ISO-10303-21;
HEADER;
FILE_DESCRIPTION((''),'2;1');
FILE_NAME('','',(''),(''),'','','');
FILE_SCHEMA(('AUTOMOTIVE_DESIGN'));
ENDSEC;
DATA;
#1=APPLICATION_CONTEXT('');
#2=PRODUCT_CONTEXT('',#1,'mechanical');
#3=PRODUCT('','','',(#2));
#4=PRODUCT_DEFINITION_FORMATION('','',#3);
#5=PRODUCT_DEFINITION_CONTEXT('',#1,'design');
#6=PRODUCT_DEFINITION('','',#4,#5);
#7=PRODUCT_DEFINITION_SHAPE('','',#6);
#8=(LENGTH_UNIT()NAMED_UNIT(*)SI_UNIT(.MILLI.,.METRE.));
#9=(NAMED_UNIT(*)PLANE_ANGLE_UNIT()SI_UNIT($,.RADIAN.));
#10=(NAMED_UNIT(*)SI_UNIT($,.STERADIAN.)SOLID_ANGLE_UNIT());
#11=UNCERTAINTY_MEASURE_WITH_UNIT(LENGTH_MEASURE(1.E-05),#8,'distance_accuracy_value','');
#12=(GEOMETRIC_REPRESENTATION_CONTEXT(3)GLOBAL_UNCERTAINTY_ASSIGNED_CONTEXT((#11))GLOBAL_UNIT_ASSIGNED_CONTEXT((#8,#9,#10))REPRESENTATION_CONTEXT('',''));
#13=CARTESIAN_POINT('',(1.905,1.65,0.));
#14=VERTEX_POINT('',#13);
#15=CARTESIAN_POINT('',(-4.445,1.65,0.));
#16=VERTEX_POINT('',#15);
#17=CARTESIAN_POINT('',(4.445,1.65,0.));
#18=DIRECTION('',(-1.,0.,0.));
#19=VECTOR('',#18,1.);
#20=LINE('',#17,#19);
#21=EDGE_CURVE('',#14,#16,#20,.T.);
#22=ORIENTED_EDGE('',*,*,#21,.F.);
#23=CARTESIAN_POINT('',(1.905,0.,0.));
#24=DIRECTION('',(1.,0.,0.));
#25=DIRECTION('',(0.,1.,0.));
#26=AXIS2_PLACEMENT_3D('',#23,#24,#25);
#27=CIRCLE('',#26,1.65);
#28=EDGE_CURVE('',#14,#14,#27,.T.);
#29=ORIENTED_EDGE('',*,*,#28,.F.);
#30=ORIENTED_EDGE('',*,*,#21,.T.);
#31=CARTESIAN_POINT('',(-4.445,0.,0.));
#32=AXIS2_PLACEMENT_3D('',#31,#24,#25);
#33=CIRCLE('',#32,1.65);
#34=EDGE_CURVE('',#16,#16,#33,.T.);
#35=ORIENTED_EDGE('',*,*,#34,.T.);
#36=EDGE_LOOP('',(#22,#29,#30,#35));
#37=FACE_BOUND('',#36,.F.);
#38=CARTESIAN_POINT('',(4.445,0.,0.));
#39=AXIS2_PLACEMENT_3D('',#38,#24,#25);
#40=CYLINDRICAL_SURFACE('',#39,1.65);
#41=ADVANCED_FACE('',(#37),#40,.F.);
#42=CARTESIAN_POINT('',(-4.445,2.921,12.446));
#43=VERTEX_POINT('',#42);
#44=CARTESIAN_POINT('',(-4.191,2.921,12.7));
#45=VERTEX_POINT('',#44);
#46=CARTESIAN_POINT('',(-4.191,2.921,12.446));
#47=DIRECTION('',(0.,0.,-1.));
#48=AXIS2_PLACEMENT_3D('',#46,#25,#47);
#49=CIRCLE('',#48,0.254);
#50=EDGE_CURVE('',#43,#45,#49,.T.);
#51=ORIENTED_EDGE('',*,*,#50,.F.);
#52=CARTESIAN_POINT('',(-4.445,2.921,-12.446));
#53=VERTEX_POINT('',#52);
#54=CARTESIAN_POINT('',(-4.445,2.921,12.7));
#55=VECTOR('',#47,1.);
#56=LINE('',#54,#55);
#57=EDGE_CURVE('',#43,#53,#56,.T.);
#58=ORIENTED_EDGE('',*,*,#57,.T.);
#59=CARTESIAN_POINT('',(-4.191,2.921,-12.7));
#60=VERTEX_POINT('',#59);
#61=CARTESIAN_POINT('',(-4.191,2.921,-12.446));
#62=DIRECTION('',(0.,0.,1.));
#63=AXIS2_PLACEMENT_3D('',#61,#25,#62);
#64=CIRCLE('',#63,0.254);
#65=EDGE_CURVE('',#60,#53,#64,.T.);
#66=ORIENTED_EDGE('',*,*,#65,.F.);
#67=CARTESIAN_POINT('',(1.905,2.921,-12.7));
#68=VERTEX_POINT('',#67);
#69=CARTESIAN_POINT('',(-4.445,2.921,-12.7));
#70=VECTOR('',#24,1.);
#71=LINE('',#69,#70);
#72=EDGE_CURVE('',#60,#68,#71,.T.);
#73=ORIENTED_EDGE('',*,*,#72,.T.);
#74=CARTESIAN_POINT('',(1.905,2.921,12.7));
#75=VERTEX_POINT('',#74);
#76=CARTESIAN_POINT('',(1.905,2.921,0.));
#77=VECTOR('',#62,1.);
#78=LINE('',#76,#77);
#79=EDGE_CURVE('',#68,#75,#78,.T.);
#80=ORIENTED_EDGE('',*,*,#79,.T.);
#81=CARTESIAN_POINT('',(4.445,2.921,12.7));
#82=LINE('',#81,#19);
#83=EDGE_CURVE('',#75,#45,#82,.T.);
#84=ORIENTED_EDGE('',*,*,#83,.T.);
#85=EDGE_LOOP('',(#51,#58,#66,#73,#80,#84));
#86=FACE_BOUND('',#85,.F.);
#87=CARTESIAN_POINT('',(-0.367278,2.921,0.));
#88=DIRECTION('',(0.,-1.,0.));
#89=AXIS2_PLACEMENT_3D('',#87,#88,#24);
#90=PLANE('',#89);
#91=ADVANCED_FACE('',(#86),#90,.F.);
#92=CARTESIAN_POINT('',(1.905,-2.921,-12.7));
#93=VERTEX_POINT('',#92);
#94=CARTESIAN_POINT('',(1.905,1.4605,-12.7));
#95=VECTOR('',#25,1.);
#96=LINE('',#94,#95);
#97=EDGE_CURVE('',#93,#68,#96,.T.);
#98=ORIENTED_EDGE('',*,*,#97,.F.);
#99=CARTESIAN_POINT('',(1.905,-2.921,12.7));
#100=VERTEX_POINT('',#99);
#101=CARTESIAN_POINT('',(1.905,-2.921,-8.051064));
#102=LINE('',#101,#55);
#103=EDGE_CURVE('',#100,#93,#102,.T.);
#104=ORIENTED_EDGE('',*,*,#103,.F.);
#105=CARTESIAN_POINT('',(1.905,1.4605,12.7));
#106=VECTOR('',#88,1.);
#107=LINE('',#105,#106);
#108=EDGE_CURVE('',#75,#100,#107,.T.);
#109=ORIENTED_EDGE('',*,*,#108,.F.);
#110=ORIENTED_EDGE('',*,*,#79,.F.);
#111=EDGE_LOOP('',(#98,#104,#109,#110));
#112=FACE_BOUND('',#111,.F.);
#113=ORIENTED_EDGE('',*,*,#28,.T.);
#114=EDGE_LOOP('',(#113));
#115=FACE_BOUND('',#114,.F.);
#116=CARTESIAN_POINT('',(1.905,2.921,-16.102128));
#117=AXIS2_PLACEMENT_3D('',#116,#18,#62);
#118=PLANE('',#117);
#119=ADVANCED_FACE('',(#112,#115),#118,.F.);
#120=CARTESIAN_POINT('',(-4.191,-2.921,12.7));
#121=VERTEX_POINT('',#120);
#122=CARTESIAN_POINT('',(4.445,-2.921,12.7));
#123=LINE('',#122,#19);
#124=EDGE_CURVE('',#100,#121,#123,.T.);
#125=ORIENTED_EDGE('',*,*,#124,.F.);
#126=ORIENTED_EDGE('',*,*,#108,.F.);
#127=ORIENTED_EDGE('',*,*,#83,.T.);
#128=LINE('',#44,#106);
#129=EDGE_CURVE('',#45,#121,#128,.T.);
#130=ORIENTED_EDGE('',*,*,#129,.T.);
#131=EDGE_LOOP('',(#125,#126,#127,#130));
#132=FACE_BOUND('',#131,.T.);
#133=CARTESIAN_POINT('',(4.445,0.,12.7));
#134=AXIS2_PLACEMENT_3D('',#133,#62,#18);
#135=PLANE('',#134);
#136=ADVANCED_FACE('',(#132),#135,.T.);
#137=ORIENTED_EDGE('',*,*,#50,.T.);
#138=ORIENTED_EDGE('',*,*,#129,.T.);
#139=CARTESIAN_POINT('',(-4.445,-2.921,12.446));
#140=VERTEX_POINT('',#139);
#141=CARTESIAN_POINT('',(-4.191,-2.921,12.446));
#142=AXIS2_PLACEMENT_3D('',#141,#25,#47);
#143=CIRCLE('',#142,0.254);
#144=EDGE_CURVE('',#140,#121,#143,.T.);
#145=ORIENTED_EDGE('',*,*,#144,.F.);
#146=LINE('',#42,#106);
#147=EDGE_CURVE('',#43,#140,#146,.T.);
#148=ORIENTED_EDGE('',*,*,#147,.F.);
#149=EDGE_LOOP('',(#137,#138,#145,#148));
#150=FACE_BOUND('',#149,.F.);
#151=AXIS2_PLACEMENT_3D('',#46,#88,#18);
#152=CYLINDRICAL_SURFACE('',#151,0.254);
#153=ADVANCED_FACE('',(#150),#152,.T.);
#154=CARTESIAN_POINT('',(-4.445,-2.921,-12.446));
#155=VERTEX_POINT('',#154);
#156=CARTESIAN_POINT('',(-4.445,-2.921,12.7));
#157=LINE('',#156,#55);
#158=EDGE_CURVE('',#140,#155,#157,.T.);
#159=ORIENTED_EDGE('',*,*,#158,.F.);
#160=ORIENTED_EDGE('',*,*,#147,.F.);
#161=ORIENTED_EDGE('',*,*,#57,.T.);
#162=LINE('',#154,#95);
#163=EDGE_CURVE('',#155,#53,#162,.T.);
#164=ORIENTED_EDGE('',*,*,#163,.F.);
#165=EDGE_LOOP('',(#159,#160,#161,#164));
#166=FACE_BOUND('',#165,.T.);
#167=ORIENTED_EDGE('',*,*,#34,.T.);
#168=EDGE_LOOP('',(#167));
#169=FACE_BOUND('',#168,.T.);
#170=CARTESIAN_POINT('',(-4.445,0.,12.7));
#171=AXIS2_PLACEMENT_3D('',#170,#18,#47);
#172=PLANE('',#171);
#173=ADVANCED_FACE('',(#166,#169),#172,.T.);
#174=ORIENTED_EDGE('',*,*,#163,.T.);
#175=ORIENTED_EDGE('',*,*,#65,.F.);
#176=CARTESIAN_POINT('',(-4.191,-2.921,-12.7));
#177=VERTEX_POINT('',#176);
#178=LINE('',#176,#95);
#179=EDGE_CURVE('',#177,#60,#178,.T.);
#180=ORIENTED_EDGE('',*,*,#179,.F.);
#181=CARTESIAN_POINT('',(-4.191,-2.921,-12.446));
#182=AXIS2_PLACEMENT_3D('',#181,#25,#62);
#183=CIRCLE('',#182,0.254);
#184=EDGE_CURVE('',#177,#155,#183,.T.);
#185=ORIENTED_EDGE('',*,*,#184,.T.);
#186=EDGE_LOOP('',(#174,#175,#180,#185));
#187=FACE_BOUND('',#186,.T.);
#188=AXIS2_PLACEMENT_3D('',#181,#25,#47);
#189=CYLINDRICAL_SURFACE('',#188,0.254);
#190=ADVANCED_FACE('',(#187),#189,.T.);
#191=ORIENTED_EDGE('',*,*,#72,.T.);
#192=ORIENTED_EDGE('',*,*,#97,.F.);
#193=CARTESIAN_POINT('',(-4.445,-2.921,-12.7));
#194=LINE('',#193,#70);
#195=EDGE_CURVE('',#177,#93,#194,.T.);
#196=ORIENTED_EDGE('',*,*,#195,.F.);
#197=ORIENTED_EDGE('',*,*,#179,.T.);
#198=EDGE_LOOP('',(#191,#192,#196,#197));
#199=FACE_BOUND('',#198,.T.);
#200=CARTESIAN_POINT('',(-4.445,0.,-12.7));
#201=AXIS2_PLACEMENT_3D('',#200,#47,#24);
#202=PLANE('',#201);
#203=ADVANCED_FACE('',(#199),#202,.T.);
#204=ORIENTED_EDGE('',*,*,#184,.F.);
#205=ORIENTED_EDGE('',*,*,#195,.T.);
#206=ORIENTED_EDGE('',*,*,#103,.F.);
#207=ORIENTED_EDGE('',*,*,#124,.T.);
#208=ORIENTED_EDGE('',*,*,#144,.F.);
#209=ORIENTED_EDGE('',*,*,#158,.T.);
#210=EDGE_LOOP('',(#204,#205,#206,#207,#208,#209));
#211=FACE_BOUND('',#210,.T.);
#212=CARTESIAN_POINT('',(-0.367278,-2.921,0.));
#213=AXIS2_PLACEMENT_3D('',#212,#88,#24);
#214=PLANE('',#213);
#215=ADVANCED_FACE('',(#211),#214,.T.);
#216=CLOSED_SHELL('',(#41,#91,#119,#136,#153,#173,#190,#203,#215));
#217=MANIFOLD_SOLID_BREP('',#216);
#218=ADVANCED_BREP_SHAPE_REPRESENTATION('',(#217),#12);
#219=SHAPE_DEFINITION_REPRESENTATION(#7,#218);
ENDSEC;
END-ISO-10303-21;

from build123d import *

# Parameters (mm, degrees)
F1_DEPTH = 2.921
F2_R     = 1.65
F3_DEPTH = 25.4
F4_W     = 8.591786
F4_H     = 32.204256
F5_DEPTH = 25.4
F6_R     = 0.254


with BuildPart() as f1:
    # F0 (on Front) → F1 (new body, symmetric)
    with BuildSketch(Plane.XZ):
        with BuildLine():
            Line((4.445, -12.7), (4.445, 12.7))
            Line((4.445, 12.7), (-4.445, 12.7))
            ThreePointArc((-4.445, 12.7), (-3.7846, 12.0396), (-4.445, 11.3792))
            Line((-4.445, 11.3792), (-4.445, 10.6934))
            ThreePointArc((-4.445, 10.6934), (-3.7846, 10.033), (-4.445, 9.3726))
            Line((-4.445, 9.3726), (-4.445, 8.6868))
            ThreePointArc((-4.445, 8.6868), (-3.7846, 8.0264), (-4.445, 7.366))
            Line((-4.445, 7.366), (-4.445, 6.6802))
            ThreePointArc((-4.445, 6.6802), (-3.7846, 6.0198), (-4.445, 5.3594))
            Line((-4.445, 5.3594), (-4.445, 4.6736))
            ThreePointArc((-4.445, 4.6736), (-3.7846, 4.0132), (-4.445, 3.3528))
            Line((-4.445, 3.3528), (-4.445, 2.667))
            ThreePointArc((-4.445, 2.667), (-3.7846, 2.0066), (-4.445, 1.3462))
            Line((-4.445, 1.3462), (-4.445, 0.6604))
            ThreePointArc((-4.445, 0.6604), (-3.7846, 0), (-4.445, -0.6604))
            Line((-4.445, -0.6604), (-4.445, -1.3462))
            ThreePointArc((-4.445, -1.3462), (-3.7846, -2.0066), (-4.445, -2.667))
            Line((-4.445, -2.667), (-4.445, -3.3528))
            ThreePointArc((-4.445, -3.3528), (-3.7846, -4.0132), (-4.445, -4.6736))
            Line((-4.445, -4.6736), (-4.445, -5.3594))
            ThreePointArc((-4.445, -5.3594), (-3.7846, -6.0198), (-4.445, -6.6802))
            Line((-4.445, -6.6802), (-4.445, -7.366))
            ThreePointArc((-4.445, -7.366), (-3.7846, -8.0264), (-4.445, -8.6868))
            Line((-4.445, -8.6868), (-4.445, -9.3726))
            ThreePointArc((-4.445, -9.3726), (-3.7846, -10.033), (-4.445, -10.6934))
            Line((-4.445, -10.6934), (-4.445, -11.3792))
            ThreePointArc((-4.445, -11.3792), (-3.7846, -12.0396), (-4.445, -12.7))
            Line((-4.445, -12.7), (4.445, -12.7))
        make_face()
        with BuildLine():
            ThreePointArc((-4.445, 11.3792), (-3.7846, 12.0396), (-4.445, 12.7))
            Line((-4.445, 12.7), (-4.445, 11.3792))
        make_face()
        with BuildLine():
            Line((-4.445, -11.5316), (-4.445, -12.7))
            ThreePointArc((-4.445, -12.7), (-3.7846, -12.0396), (-4.445, -11.3792))
            Line((-4.445, -11.3792), (-4.445, -11.5316))
        make_face()
        with BuildLine():
            ThreePointArc((-4.445, 9.3726), (-3.7846, 10.033), (-4.445, 10.6934))
            Line((-4.445, 10.6934), (-4.445, 10.541))
            Line((-4.445, 10.541), (-4.445, 9.3726))
        make_face()
        with BuildLine():
            Line((-4.445, -9.525), (-4.445, -10.6934))
            ThreePointArc((-4.445, -10.6934), (-3.7846, -10.033), (-4.445, -9.3726))
            Line((-4.445, -9.3726), (-4.445, -9.525))
        make_face()
        with BuildLine():
            ThreePointArc((-4.445, 7.366), (-3.7846, 8.0264), (-4.445, 8.6868))
            Line((-4.445, 8.6868), (-4.445, 8.5344))
            Line((-4.445, 8.5344), (-4.445, 7.366))
        make_face()
        with BuildLine():
            Line((-4.445, -7.5184), (-4.445, -8.6868))
            ThreePointArc((-4.445, -8.6868), (-3.7846, -8.0264), (-4.445, -7.366))
            Line((-4.445, -7.366), (-4.445, -7.5184))
        make_face()
        with BuildLine():
            ThreePointArc((-4.445, 5.3594), (-3.7846, 6.0198), (-4.445, 6.6802))
            Line((-4.445, 6.6802), (-4.445, 6.5278))
            Line((-4.445, 6.5278), (-4.445, 5.3594))
        make_face()
        with BuildLine():
            Line((-4.445, -5.5118), (-4.445, -6.6802))
            ThreePointArc((-4.445, -6.6802), (-3.7846, -6.0198), (-4.445, -5.3594))
            Line((-4.445, -5.3594), (-4.445, -5.5118))
        make_face()
        with BuildLine():
            ThreePointArc((-4.445, 3.3528), (-3.7846, 4.0132), (-4.445, 4.6736))
            Line((-4.445, 4.6736), (-4.445, 4.5212))
            Line((-4.445, 4.5212), (-4.445, 3.3528))
        make_face()
        with BuildLine():
            Line((-4.445, -3.5052), (-4.445, -4.6736))
            ThreePointArc((-4.445, -4.6736), (-3.7846, -4.0132), (-4.445, -3.3528))
            Line((-4.445, -3.3528), (-4.445, -3.5052))
        make_face()
        with BuildLine():
            ThreePointArc((-4.445, 1.3462), (-3.7846, 2.0066), (-4.445, 2.667))
            Line((-4.445, 2.667), (-4.445, 2.5146))
            Line((-4.445, 2.5146), (-4.445, 1.3462))
        make_face()
        with BuildLine():
            Line((-4.445, -1.4986), (-4.445, -2.667))
            ThreePointArc((-4.445, -2.667), (-3.7846, -2.0066), (-4.445, -1.3462))
            Line((-4.445, -1.3462), (-4.445, -1.4986))
        make_face()
        with BuildLine():
            ThreePointArc((-4.445, -0.6604), (-3.7846, 0), (-4.445, 0.6604))
            Line((-4.445, 0.6604), (-4.445, 0.508))
            Line((-4.445, 0.508), (-4.445, -0.6604))
        make_face()
    extrude(amount=F1_DEPTH, both=True)

    # F2 (on face) → F3 (cut)
    with BuildSketch(Plane.YZ.offset(4.445)):
        Circle(F2_R)
    extrude(amount=-F3_DEPTH, mode=Mode.SUBTRACT)

    # F4 (on face) → F5 (cut)
    with BuildSketch(Plane(origin=(0, 2.921, 0), x_dir=(-1, 0, 0), z_dir=(0, 1, 0))):
        with Locations((-6.200893, 0)):
            Rectangle(F4_W, F4_H)
    extrude(amount=-F5_DEPTH, mode=Mode.SUBTRACT)

    # F6
    f6_edges = [f1.edges().sort_by_distance(p)[0] for p in [
        (-4.445, 0, 12.7),
        (-4.445, 0, -12.7),
    ]]
    fillet(f6_edges, radius=F6_R)


solid = f1.part
